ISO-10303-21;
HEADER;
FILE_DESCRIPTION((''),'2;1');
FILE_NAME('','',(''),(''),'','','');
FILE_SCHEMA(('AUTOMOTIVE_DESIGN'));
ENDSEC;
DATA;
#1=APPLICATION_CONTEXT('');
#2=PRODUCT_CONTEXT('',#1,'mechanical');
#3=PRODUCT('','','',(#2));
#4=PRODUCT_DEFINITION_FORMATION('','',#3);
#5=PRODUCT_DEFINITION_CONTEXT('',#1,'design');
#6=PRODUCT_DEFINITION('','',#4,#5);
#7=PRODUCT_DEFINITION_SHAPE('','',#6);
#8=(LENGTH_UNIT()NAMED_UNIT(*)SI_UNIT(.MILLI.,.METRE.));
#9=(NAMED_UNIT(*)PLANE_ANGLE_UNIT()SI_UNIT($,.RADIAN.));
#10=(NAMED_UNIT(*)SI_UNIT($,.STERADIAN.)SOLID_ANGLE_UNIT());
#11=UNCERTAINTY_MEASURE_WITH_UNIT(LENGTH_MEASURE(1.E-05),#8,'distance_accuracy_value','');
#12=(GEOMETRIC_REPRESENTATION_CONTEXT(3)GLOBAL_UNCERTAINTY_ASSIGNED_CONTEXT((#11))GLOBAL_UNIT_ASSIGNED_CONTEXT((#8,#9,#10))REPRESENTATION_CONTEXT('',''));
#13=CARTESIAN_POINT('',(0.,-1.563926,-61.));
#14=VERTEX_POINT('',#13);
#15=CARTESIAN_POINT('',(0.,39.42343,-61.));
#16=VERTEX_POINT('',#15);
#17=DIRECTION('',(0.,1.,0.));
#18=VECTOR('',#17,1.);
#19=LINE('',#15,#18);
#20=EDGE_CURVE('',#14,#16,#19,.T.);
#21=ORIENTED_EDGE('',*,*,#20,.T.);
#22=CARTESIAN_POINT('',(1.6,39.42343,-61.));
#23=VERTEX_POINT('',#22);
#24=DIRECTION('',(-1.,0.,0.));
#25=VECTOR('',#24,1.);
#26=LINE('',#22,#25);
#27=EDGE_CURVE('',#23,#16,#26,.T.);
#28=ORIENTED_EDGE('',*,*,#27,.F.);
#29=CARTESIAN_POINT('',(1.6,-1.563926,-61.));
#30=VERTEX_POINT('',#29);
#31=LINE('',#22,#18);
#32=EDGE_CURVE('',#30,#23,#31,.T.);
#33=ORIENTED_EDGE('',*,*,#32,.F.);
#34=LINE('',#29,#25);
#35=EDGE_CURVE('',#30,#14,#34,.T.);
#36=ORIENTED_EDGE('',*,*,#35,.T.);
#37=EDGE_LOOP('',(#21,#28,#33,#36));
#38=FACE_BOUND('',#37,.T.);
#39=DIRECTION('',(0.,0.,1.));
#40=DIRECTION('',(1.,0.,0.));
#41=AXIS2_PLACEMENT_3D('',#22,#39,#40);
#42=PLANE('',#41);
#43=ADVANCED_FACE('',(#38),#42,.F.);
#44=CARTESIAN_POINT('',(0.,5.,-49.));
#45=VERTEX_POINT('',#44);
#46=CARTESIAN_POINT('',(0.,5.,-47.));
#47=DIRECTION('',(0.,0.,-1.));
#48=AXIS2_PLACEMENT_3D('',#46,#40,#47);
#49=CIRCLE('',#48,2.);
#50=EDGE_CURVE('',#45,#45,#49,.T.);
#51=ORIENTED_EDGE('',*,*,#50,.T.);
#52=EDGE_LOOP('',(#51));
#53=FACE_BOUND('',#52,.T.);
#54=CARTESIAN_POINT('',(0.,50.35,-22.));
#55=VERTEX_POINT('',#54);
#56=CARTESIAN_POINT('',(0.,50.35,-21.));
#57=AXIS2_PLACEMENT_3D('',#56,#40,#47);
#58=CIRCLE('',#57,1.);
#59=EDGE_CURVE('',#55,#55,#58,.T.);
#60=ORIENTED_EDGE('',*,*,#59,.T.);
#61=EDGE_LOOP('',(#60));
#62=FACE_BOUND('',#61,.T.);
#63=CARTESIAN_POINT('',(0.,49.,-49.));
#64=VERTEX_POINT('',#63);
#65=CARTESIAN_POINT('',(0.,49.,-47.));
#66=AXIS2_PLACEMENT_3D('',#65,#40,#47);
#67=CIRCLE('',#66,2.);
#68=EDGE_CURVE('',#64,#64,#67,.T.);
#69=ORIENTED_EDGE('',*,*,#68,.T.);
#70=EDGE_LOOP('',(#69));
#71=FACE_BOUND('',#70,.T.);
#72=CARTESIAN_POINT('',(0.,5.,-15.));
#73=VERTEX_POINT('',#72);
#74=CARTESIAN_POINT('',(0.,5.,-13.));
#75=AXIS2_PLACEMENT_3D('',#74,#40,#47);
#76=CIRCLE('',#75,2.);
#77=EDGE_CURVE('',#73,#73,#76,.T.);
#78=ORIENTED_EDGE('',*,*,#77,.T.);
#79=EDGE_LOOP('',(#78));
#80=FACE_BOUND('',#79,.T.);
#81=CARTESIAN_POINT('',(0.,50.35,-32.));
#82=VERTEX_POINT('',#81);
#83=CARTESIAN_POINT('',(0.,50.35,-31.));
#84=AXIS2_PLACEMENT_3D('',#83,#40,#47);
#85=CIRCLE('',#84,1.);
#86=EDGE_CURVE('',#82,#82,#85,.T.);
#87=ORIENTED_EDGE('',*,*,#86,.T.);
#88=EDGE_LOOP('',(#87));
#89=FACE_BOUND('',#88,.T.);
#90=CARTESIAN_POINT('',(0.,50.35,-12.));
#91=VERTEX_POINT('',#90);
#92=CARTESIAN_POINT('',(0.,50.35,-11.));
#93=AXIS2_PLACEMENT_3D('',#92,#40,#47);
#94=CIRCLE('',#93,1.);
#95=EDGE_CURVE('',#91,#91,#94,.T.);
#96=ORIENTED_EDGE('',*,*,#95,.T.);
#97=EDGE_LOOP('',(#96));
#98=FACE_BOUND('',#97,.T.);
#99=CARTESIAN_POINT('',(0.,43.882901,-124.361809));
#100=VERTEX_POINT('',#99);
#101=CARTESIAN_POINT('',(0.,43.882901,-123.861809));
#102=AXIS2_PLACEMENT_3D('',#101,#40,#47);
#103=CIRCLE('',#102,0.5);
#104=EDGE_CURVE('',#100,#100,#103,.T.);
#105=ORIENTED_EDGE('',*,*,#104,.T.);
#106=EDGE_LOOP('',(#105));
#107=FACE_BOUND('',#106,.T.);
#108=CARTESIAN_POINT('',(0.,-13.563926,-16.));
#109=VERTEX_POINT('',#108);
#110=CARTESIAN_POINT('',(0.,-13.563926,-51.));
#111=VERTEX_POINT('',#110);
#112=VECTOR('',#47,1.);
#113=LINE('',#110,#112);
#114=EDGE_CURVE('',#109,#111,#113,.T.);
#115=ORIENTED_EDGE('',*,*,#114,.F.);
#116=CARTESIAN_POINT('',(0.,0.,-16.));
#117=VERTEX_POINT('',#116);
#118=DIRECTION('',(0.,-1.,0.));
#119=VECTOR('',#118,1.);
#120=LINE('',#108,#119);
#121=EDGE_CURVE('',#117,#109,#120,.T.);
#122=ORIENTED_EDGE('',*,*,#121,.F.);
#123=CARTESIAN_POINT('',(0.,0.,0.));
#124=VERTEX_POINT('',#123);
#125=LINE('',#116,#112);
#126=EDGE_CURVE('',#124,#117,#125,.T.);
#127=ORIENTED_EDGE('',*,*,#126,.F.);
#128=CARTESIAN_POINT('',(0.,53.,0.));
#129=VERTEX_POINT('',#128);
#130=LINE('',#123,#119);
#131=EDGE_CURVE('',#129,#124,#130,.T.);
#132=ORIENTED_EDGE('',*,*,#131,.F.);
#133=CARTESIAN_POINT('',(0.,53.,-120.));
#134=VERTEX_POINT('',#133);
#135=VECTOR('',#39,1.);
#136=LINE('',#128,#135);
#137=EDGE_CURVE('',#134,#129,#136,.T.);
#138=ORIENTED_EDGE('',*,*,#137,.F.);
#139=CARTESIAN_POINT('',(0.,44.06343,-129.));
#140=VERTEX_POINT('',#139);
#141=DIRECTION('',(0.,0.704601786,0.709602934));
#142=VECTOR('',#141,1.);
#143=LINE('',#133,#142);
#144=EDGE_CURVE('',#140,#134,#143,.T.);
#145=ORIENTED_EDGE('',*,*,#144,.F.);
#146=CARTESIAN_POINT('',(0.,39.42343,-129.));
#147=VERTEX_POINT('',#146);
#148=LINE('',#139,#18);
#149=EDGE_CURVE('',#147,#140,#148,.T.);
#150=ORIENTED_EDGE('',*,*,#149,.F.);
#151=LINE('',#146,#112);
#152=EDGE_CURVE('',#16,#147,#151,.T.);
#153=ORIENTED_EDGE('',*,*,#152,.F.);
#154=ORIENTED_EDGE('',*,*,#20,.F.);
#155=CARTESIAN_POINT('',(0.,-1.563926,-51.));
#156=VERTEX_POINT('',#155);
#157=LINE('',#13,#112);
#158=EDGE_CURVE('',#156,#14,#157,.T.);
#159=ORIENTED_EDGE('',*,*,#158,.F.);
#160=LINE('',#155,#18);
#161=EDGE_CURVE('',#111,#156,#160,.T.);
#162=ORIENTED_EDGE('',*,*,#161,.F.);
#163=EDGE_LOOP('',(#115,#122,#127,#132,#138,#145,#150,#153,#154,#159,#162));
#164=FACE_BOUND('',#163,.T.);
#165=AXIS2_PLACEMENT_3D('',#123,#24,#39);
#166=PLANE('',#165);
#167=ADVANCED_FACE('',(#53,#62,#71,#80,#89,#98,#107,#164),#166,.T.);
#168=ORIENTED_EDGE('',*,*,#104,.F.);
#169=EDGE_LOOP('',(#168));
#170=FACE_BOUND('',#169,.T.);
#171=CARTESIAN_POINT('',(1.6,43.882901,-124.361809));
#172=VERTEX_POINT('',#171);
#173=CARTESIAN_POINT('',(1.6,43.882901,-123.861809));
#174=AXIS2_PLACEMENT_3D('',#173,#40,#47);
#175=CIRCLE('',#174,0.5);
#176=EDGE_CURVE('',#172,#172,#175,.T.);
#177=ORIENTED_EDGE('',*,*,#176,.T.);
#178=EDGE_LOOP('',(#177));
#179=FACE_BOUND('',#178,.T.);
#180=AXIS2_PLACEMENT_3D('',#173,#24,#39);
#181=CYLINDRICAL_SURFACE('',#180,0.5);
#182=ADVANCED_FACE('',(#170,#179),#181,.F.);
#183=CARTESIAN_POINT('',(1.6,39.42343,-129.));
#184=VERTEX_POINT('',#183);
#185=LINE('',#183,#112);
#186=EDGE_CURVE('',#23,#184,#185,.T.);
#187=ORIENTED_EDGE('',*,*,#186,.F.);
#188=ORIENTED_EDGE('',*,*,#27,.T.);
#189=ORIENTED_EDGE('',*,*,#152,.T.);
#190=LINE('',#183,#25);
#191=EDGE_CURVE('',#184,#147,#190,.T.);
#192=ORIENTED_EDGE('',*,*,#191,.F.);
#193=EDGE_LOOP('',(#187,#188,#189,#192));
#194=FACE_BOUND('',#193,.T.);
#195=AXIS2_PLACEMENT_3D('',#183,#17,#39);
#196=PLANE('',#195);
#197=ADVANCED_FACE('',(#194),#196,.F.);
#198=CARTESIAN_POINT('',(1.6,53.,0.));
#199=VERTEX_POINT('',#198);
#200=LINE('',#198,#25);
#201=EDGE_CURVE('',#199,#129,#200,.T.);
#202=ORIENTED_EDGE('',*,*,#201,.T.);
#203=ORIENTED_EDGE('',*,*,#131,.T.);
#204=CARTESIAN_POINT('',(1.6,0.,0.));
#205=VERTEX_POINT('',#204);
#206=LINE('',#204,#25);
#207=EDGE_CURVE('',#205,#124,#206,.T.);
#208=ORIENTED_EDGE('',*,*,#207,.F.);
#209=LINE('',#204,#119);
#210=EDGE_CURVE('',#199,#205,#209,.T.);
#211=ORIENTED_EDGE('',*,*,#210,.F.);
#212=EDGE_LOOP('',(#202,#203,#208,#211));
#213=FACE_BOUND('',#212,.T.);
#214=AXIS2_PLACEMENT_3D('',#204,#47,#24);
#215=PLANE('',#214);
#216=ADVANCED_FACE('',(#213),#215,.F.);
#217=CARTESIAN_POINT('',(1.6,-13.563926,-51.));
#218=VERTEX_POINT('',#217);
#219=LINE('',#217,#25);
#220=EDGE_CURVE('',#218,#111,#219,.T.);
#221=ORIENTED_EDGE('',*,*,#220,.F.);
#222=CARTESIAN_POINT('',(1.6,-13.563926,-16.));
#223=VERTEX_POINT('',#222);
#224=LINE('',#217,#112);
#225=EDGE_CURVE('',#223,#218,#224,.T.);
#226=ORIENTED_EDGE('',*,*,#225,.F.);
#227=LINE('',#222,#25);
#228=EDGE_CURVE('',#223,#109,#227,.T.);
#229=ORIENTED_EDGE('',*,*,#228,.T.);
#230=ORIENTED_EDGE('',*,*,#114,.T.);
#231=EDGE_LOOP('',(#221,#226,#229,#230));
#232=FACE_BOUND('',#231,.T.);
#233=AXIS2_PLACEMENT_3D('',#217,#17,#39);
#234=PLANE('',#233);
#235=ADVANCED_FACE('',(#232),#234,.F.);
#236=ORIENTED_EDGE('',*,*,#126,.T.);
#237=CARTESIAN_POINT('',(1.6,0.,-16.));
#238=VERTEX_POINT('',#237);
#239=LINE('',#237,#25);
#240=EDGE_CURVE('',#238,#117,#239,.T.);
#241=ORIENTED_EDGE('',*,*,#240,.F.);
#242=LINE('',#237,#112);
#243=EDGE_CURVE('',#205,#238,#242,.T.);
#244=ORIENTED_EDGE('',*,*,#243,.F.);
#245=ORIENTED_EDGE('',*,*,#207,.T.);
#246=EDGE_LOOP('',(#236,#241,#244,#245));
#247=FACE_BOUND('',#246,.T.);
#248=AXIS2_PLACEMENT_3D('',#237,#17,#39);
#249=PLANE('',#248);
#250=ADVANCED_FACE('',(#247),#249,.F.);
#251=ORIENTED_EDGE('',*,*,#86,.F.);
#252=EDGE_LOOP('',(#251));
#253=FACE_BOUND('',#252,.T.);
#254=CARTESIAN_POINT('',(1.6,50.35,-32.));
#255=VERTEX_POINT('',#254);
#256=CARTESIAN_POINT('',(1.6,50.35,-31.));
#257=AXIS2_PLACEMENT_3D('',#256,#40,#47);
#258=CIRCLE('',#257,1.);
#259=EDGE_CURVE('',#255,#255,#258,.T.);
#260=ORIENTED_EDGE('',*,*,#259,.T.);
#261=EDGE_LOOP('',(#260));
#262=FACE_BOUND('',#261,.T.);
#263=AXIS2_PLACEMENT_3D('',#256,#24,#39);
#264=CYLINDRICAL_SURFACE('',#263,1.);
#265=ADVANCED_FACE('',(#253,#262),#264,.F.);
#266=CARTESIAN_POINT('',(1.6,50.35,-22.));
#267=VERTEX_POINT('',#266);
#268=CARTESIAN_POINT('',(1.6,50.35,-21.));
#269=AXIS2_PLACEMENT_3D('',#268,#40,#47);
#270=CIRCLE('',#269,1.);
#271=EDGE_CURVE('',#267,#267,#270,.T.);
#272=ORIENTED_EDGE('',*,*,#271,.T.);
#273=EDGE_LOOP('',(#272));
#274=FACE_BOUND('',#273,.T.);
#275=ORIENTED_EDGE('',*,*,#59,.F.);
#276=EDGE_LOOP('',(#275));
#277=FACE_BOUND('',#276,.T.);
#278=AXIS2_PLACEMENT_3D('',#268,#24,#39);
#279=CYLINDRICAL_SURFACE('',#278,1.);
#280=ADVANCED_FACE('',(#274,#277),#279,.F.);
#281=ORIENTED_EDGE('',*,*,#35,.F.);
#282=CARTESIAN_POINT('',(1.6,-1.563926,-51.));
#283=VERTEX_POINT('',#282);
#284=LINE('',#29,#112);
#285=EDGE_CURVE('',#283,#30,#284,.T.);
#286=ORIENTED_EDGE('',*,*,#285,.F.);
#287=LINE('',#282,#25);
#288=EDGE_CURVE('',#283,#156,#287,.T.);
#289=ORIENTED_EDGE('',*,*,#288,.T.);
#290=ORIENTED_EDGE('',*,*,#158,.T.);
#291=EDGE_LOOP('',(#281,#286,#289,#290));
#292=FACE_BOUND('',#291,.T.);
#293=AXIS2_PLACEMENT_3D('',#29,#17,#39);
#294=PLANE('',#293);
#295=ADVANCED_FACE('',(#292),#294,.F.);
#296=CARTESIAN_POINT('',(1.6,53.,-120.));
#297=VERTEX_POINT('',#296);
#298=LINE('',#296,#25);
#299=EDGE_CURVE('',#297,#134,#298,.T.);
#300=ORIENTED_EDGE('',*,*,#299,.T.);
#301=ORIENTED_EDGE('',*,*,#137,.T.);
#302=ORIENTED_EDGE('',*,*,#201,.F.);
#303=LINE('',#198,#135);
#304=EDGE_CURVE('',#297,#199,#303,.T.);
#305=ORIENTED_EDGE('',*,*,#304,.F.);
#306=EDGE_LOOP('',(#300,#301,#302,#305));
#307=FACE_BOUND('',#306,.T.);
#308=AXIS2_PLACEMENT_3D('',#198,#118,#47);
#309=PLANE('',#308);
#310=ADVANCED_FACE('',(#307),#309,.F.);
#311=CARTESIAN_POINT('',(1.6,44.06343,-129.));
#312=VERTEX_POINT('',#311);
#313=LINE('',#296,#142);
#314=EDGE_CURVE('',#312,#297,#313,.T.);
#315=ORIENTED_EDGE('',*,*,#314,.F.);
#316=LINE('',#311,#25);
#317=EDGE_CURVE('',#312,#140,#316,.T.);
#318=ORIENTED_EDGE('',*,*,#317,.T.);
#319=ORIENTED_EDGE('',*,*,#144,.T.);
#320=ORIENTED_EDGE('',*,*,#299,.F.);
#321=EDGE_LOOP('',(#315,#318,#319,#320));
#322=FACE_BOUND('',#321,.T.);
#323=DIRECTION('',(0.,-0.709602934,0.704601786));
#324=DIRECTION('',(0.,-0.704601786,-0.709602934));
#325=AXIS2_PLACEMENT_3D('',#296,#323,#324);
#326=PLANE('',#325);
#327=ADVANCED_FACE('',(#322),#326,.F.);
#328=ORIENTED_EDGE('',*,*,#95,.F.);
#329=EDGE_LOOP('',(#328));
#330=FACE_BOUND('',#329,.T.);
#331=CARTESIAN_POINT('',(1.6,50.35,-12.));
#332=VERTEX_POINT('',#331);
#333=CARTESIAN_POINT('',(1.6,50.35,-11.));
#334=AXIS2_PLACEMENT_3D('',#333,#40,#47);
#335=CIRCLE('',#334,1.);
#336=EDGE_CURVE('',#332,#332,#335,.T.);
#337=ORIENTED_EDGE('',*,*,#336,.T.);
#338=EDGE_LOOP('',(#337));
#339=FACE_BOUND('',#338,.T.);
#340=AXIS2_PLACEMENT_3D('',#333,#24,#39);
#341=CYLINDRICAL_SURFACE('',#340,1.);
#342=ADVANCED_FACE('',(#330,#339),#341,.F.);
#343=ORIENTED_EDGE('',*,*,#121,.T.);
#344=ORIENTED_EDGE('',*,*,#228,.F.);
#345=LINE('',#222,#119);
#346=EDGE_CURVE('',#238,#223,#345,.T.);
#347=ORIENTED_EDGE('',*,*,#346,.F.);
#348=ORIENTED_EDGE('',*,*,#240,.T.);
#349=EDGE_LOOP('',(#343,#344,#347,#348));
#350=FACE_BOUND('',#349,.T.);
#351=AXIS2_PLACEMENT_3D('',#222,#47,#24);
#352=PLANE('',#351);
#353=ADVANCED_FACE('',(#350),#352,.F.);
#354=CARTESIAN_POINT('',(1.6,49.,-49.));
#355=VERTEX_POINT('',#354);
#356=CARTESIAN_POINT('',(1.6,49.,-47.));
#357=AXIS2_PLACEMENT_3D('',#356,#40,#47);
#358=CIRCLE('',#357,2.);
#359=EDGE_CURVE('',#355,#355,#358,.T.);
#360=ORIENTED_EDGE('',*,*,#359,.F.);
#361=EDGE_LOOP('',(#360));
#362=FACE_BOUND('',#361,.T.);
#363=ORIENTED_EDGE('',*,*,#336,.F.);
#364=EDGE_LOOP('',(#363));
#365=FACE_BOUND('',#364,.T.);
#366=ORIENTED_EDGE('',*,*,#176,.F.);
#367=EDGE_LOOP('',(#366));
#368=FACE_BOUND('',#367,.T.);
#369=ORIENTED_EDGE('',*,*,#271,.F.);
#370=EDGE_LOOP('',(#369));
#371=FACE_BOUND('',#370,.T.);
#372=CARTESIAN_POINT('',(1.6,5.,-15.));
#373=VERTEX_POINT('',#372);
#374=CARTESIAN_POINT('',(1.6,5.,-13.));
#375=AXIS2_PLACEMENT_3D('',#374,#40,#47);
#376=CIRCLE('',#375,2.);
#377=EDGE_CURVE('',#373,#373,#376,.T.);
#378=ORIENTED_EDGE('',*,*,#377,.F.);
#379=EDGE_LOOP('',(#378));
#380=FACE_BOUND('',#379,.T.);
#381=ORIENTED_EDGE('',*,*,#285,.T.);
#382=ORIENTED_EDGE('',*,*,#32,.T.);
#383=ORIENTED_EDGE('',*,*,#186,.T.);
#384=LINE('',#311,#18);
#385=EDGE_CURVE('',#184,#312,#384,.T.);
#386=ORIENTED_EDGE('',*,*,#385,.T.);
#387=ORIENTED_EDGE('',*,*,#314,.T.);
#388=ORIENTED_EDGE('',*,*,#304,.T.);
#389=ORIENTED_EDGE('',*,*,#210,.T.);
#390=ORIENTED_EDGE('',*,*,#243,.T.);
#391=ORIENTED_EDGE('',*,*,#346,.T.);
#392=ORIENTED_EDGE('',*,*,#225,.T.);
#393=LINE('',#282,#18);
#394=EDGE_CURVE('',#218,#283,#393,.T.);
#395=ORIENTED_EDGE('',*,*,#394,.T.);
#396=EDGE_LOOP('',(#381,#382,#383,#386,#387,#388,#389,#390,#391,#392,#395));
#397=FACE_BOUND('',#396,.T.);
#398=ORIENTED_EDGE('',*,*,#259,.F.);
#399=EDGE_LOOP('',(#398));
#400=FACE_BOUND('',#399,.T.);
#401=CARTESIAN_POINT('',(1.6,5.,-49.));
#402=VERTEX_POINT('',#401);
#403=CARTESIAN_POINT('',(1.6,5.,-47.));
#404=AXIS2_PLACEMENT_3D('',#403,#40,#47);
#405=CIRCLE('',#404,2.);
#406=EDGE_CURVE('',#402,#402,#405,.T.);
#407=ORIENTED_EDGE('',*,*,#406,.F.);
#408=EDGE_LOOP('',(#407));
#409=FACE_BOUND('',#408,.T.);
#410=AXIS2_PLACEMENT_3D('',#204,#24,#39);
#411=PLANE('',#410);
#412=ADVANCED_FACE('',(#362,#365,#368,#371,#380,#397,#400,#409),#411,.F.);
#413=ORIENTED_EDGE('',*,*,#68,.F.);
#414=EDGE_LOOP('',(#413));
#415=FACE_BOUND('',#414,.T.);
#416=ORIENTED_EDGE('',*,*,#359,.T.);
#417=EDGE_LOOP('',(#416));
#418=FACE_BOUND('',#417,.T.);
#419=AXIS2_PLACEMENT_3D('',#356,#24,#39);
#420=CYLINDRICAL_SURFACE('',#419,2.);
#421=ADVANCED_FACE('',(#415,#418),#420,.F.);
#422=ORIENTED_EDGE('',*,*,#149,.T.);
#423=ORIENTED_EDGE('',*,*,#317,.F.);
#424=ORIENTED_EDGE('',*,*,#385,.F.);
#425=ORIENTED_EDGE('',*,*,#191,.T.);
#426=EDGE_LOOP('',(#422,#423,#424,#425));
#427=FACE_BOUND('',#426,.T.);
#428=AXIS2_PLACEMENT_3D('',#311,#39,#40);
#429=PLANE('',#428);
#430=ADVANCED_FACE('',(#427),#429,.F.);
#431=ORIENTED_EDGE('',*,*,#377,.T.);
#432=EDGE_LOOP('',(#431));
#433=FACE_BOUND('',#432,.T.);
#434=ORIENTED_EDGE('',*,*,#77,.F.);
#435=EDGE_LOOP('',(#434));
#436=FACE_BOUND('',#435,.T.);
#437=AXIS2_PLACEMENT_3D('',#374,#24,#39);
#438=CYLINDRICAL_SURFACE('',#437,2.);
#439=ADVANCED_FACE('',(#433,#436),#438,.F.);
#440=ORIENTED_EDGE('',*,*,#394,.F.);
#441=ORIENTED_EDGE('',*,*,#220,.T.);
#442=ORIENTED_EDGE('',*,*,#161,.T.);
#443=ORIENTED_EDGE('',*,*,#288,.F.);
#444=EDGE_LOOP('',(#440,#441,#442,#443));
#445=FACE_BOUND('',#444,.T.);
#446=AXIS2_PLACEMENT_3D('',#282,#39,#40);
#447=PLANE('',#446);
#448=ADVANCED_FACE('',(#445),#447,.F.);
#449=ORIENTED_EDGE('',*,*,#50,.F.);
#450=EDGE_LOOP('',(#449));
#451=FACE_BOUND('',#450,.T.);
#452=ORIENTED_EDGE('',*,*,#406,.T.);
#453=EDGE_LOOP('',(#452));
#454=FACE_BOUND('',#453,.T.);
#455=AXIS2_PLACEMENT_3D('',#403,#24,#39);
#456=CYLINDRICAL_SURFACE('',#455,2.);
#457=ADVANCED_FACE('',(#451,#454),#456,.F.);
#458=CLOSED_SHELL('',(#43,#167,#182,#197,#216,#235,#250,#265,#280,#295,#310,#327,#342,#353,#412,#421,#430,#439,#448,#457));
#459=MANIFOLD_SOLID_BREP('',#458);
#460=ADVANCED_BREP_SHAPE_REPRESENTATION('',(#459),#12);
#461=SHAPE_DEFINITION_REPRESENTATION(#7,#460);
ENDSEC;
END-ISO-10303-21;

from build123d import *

# Parameters (mm, degrees)
SKETCH1_R           = 2
SKETCH1_R_2         = 1
SKETCH1_R_3         = 0.5
BOSS_EXTRUDE1_DEPTH = 1.6


with BuildPart() as part:
    # Sketch1 → Boss-Extrude1 (new body)
    with BuildSketch(Plane(origin=(0, 0, 0), x_dir=(0, 0, -1), z_dir=(1, 0, 0))):
        Polygon((0, 0), (0, 53), (120, 53), (129, 44.063430305), (129, 39.423430305), (61, 39.423430305), (61, -1.563926021), (51, -1.563926021), (51, -13.563926021), (16, -13.563926021), (16, 0), align=None)
        with Locations((13, 5)):
            Circle(SKETCH1_R, mode=Mode.SUBTRACT)
        with Locations((47, 5)):
            Circle(SKETCH1_R, mode=Mode.SUBTRACT)
        with Locations((47, 49)):
            Circle(SKETCH1_R, mode=Mode.SUBTRACT)
        with Locations((11, 50.35)):
            Circle(SKETCH1_R_2, mode=Mode.SUBTRACT)
        with Locations((21, 50.35)):
            Circle(SKETCH1_R_2, mode=Mode.SUBTRACT)
        with Locations((31, 50.35)):
            Circle(SKETCH1_R_2, mode=Mode.SUBTRACT)
        with Locations((123.861808856, 43.882900864)):
            Circle(SKETCH1_R_3, mode=Mode.SUBTRACT)
    extrude(amount=BOSS_EXTRUDE1_DEPTH)


solid = part.part
